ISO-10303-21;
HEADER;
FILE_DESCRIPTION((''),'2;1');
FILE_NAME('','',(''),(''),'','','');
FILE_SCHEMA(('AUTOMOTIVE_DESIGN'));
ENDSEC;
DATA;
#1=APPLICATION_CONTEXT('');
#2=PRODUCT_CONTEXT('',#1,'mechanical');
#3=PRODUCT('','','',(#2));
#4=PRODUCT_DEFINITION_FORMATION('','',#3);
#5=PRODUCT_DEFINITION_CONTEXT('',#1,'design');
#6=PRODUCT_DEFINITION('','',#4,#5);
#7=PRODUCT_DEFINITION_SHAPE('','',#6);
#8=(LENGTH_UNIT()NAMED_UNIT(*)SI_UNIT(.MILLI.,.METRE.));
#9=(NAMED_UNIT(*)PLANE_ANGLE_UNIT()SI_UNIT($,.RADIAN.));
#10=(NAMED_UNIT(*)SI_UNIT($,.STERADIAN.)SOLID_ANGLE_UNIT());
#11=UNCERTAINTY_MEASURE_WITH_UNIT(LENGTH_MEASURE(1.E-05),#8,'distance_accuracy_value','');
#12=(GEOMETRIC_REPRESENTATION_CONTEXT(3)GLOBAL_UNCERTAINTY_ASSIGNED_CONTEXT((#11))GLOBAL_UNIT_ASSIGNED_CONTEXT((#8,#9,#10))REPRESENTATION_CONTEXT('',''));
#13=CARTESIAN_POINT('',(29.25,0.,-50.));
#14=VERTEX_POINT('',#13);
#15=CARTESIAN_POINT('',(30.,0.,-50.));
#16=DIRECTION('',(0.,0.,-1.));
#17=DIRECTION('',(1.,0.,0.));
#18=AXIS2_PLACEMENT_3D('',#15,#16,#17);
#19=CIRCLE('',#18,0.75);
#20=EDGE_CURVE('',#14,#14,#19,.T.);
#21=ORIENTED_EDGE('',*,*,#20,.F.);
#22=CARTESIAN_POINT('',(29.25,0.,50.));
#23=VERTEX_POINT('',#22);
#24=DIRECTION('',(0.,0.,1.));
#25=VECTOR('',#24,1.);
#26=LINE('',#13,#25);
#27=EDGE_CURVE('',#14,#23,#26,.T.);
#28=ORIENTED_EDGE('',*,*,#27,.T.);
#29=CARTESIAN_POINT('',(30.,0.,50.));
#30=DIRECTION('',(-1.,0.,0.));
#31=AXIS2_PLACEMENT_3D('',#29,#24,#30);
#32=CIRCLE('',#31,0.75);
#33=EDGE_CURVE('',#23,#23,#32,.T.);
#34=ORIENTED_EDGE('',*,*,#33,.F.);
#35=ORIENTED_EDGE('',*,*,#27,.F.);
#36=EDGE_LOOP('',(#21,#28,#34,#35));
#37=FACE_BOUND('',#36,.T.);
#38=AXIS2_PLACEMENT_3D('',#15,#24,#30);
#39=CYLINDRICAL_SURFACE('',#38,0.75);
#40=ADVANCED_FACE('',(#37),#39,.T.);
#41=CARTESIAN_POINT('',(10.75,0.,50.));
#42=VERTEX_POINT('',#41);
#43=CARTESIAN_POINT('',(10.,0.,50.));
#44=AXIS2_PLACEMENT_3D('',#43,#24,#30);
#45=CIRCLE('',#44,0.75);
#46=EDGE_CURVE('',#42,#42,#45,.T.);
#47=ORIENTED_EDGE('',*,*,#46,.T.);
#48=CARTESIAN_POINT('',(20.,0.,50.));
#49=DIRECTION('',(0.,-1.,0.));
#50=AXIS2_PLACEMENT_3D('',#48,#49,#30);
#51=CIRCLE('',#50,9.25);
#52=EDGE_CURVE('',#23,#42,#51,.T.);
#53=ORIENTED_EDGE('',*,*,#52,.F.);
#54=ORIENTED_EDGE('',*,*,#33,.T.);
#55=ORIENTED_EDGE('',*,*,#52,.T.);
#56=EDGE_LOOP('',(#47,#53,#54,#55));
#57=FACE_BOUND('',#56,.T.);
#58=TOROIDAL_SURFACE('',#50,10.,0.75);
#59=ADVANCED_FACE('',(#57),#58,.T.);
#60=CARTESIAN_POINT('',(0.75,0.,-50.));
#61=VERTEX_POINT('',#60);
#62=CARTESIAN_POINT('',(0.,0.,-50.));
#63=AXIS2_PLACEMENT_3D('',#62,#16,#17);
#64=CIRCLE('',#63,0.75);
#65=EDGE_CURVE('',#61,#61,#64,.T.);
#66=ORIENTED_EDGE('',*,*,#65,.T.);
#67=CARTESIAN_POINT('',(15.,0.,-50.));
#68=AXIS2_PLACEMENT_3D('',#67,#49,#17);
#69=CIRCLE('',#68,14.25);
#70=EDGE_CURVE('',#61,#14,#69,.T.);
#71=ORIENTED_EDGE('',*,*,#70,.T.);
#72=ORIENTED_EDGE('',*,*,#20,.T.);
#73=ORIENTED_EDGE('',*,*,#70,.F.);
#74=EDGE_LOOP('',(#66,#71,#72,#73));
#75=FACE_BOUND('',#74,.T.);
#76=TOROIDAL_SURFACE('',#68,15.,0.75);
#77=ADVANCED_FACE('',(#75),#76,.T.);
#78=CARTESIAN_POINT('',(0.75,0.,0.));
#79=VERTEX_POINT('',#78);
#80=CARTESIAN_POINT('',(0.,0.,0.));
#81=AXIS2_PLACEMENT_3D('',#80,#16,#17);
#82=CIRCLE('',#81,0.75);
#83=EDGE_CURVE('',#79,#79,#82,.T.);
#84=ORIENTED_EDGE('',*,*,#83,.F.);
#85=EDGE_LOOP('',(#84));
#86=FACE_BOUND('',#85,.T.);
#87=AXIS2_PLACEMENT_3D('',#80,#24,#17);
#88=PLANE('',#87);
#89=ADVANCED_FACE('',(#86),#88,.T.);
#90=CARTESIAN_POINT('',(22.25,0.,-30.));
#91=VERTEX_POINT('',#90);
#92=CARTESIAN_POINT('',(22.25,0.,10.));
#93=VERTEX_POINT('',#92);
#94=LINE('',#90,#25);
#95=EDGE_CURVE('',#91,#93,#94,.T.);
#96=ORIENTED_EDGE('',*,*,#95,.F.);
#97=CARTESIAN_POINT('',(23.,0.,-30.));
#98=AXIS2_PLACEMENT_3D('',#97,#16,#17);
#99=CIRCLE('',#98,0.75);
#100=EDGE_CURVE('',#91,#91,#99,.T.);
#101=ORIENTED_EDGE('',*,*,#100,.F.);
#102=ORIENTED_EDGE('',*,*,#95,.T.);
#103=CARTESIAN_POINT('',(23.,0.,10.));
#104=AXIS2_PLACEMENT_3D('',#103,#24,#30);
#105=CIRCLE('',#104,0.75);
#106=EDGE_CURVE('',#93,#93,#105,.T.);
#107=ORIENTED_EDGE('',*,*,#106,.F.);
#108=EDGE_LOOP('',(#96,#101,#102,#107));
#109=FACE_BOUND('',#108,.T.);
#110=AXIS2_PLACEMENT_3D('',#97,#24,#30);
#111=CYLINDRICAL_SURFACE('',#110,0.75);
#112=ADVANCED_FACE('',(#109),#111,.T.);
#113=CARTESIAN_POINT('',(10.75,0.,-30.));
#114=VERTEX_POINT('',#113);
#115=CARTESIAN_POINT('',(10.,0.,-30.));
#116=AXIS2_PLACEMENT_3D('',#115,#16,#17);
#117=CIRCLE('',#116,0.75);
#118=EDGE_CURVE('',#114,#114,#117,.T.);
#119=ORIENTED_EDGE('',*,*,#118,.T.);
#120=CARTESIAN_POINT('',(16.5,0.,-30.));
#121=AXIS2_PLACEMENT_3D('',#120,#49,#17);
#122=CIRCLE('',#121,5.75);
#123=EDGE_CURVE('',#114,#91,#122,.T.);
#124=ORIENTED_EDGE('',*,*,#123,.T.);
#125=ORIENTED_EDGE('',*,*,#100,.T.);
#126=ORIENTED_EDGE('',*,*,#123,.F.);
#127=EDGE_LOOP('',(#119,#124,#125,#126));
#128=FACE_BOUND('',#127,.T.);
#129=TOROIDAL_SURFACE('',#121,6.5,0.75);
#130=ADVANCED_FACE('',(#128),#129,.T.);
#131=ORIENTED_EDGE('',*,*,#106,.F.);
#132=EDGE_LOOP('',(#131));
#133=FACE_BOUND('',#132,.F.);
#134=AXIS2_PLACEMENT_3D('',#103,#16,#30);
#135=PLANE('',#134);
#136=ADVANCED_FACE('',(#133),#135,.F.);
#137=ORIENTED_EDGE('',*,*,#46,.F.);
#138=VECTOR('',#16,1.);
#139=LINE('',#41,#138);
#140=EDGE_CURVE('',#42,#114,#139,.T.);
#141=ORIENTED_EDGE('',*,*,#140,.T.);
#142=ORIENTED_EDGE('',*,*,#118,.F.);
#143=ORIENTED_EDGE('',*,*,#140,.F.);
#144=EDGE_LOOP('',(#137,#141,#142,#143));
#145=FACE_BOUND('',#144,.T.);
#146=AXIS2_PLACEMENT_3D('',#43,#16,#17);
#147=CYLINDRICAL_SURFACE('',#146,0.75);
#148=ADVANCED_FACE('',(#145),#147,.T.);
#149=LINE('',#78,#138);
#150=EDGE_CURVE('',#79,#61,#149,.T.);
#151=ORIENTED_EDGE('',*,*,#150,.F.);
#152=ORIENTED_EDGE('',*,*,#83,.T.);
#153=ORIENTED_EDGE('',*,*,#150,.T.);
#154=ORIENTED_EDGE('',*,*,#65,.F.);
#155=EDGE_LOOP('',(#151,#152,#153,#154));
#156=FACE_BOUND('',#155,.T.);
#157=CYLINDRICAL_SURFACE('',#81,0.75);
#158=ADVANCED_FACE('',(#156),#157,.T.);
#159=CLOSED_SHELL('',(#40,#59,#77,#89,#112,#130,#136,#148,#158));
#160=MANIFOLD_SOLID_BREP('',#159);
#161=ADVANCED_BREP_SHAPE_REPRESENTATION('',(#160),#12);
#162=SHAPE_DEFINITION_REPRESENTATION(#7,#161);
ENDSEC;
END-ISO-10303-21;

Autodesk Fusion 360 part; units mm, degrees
sketch "Sketch1" plane through (0, 0, 0) normal (0, 1, 0) x (1, 0, 0)
  line L0 (0, 0) -> (0, 50)
  line L1 (0, 50) -> (30, 50) construction
  line L2 (30, 50) -> (30, -50)
  line L3 (30, -50) -> (10, -50) construction
  line L4 (10, -50) -> (10, 30)
  line L5 (10, 30) -> (23, 30) construction
  line L6 (23, 30) -> (23, -10)
  line L7 (23, -10) -> (17, -10) construction
  arc A0 (30, 50) -> (0, 50) centre (15, 50) ccw
  arc A1 (23, 30) -> (10, 30) centre (16.5, 30) ccw
  arc A2 (10, -50) -> (30, -50) centre (20, -50) ccw
  dimension "d1" = 50
  dimension "d2" = 30
  dimension "d3" = 100
  dimension "d4" = 20
  dimension "d5" = 80
  dimension "d6" = 13
  dimension "d7" = 6
  dimension "d8" = 40
  dimension "d9" = 7
  dimension "d10" = 15
sketch "Sketch2" plane through (0, 0, 0) normal (0, 0, 1) x (1, 0, 0)
  circle A0 centre (0, 0) radius 0.75
  dimension "d11" = 1.5
sweep "Sweep1" add profiles "Sketch2" path "Sketch1" along L0 A0 L2 A2 L4 A1 L6 section 1
